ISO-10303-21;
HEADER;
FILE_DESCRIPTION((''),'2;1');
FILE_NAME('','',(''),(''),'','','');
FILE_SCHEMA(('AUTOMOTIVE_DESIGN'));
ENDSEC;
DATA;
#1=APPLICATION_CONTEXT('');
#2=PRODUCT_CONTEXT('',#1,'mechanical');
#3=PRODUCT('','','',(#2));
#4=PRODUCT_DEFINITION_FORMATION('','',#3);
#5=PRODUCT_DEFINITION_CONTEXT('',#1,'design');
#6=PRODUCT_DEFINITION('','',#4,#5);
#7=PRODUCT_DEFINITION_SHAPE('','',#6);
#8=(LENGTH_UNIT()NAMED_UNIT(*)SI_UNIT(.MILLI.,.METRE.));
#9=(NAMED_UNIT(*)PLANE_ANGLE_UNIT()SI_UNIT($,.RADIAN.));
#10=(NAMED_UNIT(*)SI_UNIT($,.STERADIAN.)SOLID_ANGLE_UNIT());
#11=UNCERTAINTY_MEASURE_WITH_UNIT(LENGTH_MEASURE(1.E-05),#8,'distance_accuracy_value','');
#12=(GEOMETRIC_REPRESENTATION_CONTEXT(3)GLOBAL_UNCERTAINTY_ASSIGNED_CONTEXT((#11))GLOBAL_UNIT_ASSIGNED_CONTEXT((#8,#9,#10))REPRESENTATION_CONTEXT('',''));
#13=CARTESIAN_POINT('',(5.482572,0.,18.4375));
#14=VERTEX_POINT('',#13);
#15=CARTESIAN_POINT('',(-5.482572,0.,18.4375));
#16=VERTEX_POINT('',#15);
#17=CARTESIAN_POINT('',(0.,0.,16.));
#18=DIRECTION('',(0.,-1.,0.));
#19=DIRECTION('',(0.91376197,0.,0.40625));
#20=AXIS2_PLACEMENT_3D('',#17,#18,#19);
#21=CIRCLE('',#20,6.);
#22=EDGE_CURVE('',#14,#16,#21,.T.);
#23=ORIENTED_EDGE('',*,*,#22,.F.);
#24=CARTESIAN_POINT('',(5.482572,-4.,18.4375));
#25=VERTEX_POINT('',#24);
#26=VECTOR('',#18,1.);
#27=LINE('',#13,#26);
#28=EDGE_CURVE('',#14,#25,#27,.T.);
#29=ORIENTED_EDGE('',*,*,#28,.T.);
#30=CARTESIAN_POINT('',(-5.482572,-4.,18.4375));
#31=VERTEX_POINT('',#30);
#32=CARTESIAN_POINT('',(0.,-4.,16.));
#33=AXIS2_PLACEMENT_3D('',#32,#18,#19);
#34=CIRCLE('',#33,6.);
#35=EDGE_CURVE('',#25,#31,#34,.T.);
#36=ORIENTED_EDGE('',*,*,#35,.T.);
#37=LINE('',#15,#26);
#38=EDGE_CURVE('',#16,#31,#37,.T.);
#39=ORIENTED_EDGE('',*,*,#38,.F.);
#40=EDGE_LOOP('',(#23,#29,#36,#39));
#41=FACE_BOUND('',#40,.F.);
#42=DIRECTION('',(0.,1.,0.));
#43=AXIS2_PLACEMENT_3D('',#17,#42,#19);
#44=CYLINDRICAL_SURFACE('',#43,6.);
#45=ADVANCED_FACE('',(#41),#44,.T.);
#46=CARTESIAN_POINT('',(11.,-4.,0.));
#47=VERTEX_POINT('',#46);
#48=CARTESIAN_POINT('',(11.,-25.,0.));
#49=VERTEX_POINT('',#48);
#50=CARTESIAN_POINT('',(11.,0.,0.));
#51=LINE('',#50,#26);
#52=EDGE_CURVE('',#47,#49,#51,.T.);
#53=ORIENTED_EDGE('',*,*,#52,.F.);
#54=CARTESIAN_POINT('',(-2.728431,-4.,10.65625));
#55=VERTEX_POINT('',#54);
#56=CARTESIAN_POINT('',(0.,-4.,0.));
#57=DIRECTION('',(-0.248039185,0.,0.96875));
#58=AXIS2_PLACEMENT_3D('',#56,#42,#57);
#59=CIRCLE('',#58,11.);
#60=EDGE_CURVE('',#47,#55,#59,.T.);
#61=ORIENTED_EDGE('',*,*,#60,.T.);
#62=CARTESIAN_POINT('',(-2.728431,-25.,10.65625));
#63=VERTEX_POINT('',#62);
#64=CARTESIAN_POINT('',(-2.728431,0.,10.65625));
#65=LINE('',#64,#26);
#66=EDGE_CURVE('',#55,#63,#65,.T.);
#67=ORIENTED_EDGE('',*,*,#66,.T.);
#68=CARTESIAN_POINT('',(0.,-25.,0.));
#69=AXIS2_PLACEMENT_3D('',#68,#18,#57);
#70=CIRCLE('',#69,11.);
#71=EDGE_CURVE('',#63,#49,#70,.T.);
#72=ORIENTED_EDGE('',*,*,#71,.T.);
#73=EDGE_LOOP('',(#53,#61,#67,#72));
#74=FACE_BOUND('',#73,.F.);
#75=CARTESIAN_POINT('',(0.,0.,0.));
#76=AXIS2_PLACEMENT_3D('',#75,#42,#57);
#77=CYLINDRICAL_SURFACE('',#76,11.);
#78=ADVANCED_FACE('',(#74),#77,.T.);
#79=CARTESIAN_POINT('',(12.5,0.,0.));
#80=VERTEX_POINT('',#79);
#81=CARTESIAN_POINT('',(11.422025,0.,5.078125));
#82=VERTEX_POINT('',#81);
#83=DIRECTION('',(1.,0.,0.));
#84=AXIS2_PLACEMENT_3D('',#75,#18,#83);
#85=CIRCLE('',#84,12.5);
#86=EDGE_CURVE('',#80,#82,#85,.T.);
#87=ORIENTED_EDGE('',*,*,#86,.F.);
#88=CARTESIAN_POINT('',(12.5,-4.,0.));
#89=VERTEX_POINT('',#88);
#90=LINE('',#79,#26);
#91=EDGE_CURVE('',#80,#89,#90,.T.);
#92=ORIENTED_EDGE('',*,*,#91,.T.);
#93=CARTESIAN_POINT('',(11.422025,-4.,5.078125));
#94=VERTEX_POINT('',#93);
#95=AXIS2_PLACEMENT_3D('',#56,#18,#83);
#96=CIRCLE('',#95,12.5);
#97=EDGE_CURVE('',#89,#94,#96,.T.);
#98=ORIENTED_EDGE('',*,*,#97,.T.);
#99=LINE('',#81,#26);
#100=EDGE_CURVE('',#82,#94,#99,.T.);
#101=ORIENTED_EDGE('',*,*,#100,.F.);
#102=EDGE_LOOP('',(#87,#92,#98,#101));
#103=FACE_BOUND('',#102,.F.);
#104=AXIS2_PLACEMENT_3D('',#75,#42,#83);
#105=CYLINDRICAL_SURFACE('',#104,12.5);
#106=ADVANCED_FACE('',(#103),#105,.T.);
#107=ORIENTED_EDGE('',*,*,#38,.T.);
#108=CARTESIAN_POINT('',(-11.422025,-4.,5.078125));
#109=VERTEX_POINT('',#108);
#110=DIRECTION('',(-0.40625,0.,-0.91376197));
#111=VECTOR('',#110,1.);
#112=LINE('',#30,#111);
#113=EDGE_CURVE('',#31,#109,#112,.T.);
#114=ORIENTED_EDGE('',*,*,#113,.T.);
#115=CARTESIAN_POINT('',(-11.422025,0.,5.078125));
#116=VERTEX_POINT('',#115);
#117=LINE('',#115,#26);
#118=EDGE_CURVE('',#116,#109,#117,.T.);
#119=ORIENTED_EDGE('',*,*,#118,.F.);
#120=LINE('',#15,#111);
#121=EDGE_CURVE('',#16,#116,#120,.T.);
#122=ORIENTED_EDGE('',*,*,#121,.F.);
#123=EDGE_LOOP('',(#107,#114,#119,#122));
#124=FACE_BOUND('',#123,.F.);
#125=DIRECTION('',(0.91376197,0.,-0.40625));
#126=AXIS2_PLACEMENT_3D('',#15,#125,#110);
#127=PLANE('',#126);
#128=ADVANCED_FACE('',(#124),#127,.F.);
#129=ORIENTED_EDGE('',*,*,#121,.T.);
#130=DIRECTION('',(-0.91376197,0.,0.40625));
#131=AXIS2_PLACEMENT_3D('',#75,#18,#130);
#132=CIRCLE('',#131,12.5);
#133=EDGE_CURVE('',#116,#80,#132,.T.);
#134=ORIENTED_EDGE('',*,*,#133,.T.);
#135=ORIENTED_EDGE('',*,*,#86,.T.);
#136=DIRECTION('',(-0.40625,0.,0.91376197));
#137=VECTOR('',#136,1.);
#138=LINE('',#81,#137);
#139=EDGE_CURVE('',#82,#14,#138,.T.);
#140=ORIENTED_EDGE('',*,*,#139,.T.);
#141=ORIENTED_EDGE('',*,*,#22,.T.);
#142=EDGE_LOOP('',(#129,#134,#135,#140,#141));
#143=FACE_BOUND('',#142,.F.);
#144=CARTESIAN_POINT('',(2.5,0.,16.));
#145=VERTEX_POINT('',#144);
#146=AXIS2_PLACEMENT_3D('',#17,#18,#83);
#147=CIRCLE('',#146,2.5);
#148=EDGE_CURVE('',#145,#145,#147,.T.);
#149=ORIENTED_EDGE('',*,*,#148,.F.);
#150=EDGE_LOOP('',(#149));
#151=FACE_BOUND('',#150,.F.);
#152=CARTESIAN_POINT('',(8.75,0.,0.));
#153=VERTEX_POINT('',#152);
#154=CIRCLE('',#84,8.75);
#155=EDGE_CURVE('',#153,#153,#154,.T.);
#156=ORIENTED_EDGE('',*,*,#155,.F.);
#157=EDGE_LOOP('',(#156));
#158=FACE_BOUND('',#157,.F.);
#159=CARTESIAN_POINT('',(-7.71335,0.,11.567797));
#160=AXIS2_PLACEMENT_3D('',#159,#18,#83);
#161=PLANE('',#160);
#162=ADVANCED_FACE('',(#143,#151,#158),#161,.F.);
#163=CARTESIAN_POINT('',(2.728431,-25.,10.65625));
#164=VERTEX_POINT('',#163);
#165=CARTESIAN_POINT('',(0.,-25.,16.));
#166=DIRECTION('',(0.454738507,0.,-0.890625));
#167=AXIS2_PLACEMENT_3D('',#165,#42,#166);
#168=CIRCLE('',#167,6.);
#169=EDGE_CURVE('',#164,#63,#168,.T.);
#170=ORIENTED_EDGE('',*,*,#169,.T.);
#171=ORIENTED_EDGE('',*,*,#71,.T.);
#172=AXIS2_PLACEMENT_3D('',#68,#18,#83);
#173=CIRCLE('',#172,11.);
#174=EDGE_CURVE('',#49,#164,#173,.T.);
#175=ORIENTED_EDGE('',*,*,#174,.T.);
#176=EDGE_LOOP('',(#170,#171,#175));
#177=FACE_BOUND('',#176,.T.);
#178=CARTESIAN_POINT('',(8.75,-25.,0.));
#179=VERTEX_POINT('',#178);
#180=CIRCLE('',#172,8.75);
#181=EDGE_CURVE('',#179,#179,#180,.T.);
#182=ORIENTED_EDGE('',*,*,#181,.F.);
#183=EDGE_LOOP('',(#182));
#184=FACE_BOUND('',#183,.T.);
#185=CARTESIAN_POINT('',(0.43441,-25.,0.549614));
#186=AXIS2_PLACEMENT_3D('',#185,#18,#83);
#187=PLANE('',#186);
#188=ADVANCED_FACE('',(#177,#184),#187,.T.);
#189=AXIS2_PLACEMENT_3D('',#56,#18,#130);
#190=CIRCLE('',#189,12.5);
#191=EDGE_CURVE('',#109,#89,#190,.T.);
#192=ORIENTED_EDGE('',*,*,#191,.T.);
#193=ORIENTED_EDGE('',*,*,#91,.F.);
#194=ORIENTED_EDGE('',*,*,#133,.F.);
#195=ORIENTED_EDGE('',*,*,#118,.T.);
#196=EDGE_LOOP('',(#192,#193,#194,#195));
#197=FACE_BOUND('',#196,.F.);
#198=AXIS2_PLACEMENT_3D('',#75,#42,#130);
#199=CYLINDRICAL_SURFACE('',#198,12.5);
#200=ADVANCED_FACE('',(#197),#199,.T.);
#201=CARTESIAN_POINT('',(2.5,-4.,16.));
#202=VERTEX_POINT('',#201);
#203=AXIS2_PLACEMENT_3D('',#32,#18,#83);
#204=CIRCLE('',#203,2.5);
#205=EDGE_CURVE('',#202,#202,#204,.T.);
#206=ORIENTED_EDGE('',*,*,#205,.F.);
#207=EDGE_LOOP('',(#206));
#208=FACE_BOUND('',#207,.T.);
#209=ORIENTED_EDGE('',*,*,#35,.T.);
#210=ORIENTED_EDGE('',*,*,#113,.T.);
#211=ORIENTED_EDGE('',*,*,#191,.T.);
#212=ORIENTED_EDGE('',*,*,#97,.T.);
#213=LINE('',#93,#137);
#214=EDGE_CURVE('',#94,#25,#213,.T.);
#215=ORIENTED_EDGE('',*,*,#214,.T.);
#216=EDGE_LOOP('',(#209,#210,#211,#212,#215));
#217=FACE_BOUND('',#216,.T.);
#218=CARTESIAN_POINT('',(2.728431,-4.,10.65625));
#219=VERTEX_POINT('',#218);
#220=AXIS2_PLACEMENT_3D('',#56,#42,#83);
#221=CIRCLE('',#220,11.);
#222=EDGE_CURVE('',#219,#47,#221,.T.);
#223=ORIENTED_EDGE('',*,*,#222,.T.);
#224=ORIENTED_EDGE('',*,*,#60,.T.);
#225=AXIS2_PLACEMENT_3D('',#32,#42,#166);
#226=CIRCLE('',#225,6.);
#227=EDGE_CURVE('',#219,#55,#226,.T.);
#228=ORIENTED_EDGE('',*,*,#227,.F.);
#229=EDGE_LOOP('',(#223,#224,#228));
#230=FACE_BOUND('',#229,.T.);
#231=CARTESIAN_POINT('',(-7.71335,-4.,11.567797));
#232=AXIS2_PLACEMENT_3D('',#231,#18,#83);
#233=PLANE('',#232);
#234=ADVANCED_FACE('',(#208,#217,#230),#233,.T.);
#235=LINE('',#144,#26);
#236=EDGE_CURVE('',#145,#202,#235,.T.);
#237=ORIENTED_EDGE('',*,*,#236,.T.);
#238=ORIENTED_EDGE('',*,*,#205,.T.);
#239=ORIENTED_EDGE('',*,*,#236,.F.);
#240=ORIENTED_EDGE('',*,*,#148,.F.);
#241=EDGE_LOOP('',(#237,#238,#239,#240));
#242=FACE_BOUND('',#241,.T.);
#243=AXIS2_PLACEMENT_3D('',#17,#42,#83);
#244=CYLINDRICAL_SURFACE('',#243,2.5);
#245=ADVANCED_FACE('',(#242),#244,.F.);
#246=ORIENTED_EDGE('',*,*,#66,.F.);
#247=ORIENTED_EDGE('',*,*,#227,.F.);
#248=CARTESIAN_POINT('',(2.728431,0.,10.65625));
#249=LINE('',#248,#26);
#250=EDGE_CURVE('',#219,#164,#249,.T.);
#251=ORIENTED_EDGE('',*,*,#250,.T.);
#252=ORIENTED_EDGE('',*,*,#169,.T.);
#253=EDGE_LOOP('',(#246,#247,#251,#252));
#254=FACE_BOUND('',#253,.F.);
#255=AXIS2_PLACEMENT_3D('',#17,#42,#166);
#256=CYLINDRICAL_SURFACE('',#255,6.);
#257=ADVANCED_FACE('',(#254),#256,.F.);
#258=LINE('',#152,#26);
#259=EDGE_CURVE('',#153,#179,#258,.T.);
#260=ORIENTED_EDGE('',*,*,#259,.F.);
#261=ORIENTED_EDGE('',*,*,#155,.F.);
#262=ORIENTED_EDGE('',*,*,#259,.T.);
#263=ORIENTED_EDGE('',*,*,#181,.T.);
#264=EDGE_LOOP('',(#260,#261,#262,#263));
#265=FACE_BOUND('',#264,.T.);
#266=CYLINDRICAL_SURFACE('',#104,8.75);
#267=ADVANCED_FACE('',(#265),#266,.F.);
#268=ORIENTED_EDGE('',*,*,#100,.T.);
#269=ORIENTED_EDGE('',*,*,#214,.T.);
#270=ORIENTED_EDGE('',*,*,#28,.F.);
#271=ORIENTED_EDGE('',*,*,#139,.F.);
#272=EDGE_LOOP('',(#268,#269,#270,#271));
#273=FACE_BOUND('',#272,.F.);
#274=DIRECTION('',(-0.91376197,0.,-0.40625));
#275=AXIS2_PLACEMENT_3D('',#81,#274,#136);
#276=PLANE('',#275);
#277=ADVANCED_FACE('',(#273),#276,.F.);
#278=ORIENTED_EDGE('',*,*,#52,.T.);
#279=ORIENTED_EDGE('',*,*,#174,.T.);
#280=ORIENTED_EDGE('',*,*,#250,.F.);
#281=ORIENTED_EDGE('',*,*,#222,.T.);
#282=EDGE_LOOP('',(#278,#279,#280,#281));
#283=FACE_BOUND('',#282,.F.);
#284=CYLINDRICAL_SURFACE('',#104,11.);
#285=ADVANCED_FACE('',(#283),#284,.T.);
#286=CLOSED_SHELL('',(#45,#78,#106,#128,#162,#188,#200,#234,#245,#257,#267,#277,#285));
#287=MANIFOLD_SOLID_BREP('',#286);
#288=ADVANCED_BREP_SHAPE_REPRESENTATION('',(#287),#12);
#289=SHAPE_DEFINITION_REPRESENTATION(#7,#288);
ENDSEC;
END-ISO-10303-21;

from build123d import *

# Parameters (mm, degrees)
F0_R     = 2.5
F0_R_2   = 8.75
F1_DEPTH = 4
F2_DEPTH = 25


with BuildPart() as f1:
    # F0 (on Front) → F1 (new body)
    with BuildSketch(Plane.XZ):
        with BuildLine():
            ThreePointArc((-11.4220246228, 5.078125), (-8.5149010727, 9.1513091808), (-4.2430938258, 11.7578125))
            ThreePointArc((-4.2430938258, 11.7578125), (-5.8992965117, 14.9053307956), (-5.482571819, 18.4375))
            Line((-5.482571819, 18.4375), (-11.4220246228, 5.078125))
        make_face()
        with BuildLine():
            ThreePointArc((6, 16), (5.5433998122, 13.704195452), (4.2430938258, 11.7578125))
            ThreePointArc((4.2430938258, 11.7578125), (8.5149010727, 9.1513091808), (11.4220246228, 5.078125))
            Line((11.4220246228, 5.078125), (5.482571819, 18.4375))
            ThreePointArc((5.482571819, 18.4375), (5.8692176188, 17.2459071166), (6, 16))
        make_face()
        with BuildLine():
            ThreePointArc((-4.2430938258, 11.7578125), (0, 12.5), (4.2430938258, 11.7578125))
            ThreePointArc((4.2430938258, 11.7578125), (5.5433998122, 13.704195452), (6, 16))
            ThreePointArc((6, 16), (5.8692176188, 17.2459071166), (5.482571819, 18.4375))
            ThreePointArc((5.482571819, 18.4375), (0, 22), (-5.482571819, 18.4375))
            ThreePointArc((-5.482571819, 18.4375), (-5.8992965117, 14.9053307956), (-4.2430938258, 11.7578125))
        make_face()
        with Locations((0, 16)):
            Circle(F0_R, mode=Mode.SUBTRACT)
        with BuildLine():
            ThreePointArc((-2.7284310395, 10.65625), (0, 11), (2.7284310395, 10.65625))
            ThreePointArc((2.7284310395, 10.65625), (3.52900832, 11.1475675917), (4.2430938258, 11.7578125))
            ThreePointArc((4.2430938258, 11.7578125), (0, 12.5), (-4.2430938258, 11.7578125))
            ThreePointArc((-4.2430938258, 11.7578125), (-3.52900832, 11.1475675917), (-2.7284310395, 10.65625))
        make_face()
        with BuildLine():
            ThreePointArc((2.7284310395, 10.65625), (8.6894401844, 6.7448965361), (11, 0))
            ThreePointArc((11, 0), (-6.7448965361, -8.6894401844), (-2.7284310395, 10.65625))
            ThreePointArc((-2.7284310395, 10.65625), (-3.52900832, 11.1475675917), (-4.2430938258, 11.7578125))
            ThreePointArc((-4.2430938258, 11.7578125), (-8.5149010727, 9.1513091808), (-11.4220246228, 5.078125))
            ThreePointArc((-11.4220246228, 5.078125), (-2.5956398262, -12.2275367058), (12.5, 0))
            ThreePointArc((12.5, 0), (12.2275367058, 2.5956398262), (11.4220246228, 5.078125))
            ThreePointArc((11.4220246228, 5.078125), (8.5149010727, 9.1513091808), (4.2430938258, 11.7578125))
            ThreePointArc((4.2430938258, 11.7578125), (3.52900832, 11.1475675917), (2.7284310395, 10.65625))
        make_face()
        with BuildLine():
            ThreePointArc((-2.7284310395, 10.65625), (-6.7448965361, -8.6894401844), (11, 0))
            ThreePointArc((11, 0), (8.6894401844, 6.7448965361), (2.7284310395, 10.65625))
            ThreePointArc((2.7284310395, 10.65625), (0, 10), (-2.7284310395, 10.65625))
        make_face()
        Circle(F0_R_2, mode=Mode.SUBTRACT)
        with BuildLine():
            ThreePointArc((-2.7284310395, 10.65625), (0, 10), (2.7284310395, 10.65625))
            ThreePointArc((2.7284310395, 10.65625), (0, 11), (-2.7284310395, 10.65625))
        make_face()
    extrude(amount=F1_DEPTH)

    # F0 (on Front) → F2 (join)
    with BuildSketch(Plane.XZ):
        with BuildLine():
            ThreePointArc((-2.7284310395, 10.65625), (-6.7448965361, -8.6894401844), (11, 0))
            ThreePointArc((11, 0), (8.6894401844, 6.7448965361), (2.7284310395, 10.65625))
            ThreePointArc((2.7284310395, 10.65625), (0, 10), (-2.7284310395, 10.65625))
        make_face()
        Circle(F0_R_2, mode=Mode.SUBTRACT)
    extrude(amount=F2_DEPTH)


solid = f1.part
